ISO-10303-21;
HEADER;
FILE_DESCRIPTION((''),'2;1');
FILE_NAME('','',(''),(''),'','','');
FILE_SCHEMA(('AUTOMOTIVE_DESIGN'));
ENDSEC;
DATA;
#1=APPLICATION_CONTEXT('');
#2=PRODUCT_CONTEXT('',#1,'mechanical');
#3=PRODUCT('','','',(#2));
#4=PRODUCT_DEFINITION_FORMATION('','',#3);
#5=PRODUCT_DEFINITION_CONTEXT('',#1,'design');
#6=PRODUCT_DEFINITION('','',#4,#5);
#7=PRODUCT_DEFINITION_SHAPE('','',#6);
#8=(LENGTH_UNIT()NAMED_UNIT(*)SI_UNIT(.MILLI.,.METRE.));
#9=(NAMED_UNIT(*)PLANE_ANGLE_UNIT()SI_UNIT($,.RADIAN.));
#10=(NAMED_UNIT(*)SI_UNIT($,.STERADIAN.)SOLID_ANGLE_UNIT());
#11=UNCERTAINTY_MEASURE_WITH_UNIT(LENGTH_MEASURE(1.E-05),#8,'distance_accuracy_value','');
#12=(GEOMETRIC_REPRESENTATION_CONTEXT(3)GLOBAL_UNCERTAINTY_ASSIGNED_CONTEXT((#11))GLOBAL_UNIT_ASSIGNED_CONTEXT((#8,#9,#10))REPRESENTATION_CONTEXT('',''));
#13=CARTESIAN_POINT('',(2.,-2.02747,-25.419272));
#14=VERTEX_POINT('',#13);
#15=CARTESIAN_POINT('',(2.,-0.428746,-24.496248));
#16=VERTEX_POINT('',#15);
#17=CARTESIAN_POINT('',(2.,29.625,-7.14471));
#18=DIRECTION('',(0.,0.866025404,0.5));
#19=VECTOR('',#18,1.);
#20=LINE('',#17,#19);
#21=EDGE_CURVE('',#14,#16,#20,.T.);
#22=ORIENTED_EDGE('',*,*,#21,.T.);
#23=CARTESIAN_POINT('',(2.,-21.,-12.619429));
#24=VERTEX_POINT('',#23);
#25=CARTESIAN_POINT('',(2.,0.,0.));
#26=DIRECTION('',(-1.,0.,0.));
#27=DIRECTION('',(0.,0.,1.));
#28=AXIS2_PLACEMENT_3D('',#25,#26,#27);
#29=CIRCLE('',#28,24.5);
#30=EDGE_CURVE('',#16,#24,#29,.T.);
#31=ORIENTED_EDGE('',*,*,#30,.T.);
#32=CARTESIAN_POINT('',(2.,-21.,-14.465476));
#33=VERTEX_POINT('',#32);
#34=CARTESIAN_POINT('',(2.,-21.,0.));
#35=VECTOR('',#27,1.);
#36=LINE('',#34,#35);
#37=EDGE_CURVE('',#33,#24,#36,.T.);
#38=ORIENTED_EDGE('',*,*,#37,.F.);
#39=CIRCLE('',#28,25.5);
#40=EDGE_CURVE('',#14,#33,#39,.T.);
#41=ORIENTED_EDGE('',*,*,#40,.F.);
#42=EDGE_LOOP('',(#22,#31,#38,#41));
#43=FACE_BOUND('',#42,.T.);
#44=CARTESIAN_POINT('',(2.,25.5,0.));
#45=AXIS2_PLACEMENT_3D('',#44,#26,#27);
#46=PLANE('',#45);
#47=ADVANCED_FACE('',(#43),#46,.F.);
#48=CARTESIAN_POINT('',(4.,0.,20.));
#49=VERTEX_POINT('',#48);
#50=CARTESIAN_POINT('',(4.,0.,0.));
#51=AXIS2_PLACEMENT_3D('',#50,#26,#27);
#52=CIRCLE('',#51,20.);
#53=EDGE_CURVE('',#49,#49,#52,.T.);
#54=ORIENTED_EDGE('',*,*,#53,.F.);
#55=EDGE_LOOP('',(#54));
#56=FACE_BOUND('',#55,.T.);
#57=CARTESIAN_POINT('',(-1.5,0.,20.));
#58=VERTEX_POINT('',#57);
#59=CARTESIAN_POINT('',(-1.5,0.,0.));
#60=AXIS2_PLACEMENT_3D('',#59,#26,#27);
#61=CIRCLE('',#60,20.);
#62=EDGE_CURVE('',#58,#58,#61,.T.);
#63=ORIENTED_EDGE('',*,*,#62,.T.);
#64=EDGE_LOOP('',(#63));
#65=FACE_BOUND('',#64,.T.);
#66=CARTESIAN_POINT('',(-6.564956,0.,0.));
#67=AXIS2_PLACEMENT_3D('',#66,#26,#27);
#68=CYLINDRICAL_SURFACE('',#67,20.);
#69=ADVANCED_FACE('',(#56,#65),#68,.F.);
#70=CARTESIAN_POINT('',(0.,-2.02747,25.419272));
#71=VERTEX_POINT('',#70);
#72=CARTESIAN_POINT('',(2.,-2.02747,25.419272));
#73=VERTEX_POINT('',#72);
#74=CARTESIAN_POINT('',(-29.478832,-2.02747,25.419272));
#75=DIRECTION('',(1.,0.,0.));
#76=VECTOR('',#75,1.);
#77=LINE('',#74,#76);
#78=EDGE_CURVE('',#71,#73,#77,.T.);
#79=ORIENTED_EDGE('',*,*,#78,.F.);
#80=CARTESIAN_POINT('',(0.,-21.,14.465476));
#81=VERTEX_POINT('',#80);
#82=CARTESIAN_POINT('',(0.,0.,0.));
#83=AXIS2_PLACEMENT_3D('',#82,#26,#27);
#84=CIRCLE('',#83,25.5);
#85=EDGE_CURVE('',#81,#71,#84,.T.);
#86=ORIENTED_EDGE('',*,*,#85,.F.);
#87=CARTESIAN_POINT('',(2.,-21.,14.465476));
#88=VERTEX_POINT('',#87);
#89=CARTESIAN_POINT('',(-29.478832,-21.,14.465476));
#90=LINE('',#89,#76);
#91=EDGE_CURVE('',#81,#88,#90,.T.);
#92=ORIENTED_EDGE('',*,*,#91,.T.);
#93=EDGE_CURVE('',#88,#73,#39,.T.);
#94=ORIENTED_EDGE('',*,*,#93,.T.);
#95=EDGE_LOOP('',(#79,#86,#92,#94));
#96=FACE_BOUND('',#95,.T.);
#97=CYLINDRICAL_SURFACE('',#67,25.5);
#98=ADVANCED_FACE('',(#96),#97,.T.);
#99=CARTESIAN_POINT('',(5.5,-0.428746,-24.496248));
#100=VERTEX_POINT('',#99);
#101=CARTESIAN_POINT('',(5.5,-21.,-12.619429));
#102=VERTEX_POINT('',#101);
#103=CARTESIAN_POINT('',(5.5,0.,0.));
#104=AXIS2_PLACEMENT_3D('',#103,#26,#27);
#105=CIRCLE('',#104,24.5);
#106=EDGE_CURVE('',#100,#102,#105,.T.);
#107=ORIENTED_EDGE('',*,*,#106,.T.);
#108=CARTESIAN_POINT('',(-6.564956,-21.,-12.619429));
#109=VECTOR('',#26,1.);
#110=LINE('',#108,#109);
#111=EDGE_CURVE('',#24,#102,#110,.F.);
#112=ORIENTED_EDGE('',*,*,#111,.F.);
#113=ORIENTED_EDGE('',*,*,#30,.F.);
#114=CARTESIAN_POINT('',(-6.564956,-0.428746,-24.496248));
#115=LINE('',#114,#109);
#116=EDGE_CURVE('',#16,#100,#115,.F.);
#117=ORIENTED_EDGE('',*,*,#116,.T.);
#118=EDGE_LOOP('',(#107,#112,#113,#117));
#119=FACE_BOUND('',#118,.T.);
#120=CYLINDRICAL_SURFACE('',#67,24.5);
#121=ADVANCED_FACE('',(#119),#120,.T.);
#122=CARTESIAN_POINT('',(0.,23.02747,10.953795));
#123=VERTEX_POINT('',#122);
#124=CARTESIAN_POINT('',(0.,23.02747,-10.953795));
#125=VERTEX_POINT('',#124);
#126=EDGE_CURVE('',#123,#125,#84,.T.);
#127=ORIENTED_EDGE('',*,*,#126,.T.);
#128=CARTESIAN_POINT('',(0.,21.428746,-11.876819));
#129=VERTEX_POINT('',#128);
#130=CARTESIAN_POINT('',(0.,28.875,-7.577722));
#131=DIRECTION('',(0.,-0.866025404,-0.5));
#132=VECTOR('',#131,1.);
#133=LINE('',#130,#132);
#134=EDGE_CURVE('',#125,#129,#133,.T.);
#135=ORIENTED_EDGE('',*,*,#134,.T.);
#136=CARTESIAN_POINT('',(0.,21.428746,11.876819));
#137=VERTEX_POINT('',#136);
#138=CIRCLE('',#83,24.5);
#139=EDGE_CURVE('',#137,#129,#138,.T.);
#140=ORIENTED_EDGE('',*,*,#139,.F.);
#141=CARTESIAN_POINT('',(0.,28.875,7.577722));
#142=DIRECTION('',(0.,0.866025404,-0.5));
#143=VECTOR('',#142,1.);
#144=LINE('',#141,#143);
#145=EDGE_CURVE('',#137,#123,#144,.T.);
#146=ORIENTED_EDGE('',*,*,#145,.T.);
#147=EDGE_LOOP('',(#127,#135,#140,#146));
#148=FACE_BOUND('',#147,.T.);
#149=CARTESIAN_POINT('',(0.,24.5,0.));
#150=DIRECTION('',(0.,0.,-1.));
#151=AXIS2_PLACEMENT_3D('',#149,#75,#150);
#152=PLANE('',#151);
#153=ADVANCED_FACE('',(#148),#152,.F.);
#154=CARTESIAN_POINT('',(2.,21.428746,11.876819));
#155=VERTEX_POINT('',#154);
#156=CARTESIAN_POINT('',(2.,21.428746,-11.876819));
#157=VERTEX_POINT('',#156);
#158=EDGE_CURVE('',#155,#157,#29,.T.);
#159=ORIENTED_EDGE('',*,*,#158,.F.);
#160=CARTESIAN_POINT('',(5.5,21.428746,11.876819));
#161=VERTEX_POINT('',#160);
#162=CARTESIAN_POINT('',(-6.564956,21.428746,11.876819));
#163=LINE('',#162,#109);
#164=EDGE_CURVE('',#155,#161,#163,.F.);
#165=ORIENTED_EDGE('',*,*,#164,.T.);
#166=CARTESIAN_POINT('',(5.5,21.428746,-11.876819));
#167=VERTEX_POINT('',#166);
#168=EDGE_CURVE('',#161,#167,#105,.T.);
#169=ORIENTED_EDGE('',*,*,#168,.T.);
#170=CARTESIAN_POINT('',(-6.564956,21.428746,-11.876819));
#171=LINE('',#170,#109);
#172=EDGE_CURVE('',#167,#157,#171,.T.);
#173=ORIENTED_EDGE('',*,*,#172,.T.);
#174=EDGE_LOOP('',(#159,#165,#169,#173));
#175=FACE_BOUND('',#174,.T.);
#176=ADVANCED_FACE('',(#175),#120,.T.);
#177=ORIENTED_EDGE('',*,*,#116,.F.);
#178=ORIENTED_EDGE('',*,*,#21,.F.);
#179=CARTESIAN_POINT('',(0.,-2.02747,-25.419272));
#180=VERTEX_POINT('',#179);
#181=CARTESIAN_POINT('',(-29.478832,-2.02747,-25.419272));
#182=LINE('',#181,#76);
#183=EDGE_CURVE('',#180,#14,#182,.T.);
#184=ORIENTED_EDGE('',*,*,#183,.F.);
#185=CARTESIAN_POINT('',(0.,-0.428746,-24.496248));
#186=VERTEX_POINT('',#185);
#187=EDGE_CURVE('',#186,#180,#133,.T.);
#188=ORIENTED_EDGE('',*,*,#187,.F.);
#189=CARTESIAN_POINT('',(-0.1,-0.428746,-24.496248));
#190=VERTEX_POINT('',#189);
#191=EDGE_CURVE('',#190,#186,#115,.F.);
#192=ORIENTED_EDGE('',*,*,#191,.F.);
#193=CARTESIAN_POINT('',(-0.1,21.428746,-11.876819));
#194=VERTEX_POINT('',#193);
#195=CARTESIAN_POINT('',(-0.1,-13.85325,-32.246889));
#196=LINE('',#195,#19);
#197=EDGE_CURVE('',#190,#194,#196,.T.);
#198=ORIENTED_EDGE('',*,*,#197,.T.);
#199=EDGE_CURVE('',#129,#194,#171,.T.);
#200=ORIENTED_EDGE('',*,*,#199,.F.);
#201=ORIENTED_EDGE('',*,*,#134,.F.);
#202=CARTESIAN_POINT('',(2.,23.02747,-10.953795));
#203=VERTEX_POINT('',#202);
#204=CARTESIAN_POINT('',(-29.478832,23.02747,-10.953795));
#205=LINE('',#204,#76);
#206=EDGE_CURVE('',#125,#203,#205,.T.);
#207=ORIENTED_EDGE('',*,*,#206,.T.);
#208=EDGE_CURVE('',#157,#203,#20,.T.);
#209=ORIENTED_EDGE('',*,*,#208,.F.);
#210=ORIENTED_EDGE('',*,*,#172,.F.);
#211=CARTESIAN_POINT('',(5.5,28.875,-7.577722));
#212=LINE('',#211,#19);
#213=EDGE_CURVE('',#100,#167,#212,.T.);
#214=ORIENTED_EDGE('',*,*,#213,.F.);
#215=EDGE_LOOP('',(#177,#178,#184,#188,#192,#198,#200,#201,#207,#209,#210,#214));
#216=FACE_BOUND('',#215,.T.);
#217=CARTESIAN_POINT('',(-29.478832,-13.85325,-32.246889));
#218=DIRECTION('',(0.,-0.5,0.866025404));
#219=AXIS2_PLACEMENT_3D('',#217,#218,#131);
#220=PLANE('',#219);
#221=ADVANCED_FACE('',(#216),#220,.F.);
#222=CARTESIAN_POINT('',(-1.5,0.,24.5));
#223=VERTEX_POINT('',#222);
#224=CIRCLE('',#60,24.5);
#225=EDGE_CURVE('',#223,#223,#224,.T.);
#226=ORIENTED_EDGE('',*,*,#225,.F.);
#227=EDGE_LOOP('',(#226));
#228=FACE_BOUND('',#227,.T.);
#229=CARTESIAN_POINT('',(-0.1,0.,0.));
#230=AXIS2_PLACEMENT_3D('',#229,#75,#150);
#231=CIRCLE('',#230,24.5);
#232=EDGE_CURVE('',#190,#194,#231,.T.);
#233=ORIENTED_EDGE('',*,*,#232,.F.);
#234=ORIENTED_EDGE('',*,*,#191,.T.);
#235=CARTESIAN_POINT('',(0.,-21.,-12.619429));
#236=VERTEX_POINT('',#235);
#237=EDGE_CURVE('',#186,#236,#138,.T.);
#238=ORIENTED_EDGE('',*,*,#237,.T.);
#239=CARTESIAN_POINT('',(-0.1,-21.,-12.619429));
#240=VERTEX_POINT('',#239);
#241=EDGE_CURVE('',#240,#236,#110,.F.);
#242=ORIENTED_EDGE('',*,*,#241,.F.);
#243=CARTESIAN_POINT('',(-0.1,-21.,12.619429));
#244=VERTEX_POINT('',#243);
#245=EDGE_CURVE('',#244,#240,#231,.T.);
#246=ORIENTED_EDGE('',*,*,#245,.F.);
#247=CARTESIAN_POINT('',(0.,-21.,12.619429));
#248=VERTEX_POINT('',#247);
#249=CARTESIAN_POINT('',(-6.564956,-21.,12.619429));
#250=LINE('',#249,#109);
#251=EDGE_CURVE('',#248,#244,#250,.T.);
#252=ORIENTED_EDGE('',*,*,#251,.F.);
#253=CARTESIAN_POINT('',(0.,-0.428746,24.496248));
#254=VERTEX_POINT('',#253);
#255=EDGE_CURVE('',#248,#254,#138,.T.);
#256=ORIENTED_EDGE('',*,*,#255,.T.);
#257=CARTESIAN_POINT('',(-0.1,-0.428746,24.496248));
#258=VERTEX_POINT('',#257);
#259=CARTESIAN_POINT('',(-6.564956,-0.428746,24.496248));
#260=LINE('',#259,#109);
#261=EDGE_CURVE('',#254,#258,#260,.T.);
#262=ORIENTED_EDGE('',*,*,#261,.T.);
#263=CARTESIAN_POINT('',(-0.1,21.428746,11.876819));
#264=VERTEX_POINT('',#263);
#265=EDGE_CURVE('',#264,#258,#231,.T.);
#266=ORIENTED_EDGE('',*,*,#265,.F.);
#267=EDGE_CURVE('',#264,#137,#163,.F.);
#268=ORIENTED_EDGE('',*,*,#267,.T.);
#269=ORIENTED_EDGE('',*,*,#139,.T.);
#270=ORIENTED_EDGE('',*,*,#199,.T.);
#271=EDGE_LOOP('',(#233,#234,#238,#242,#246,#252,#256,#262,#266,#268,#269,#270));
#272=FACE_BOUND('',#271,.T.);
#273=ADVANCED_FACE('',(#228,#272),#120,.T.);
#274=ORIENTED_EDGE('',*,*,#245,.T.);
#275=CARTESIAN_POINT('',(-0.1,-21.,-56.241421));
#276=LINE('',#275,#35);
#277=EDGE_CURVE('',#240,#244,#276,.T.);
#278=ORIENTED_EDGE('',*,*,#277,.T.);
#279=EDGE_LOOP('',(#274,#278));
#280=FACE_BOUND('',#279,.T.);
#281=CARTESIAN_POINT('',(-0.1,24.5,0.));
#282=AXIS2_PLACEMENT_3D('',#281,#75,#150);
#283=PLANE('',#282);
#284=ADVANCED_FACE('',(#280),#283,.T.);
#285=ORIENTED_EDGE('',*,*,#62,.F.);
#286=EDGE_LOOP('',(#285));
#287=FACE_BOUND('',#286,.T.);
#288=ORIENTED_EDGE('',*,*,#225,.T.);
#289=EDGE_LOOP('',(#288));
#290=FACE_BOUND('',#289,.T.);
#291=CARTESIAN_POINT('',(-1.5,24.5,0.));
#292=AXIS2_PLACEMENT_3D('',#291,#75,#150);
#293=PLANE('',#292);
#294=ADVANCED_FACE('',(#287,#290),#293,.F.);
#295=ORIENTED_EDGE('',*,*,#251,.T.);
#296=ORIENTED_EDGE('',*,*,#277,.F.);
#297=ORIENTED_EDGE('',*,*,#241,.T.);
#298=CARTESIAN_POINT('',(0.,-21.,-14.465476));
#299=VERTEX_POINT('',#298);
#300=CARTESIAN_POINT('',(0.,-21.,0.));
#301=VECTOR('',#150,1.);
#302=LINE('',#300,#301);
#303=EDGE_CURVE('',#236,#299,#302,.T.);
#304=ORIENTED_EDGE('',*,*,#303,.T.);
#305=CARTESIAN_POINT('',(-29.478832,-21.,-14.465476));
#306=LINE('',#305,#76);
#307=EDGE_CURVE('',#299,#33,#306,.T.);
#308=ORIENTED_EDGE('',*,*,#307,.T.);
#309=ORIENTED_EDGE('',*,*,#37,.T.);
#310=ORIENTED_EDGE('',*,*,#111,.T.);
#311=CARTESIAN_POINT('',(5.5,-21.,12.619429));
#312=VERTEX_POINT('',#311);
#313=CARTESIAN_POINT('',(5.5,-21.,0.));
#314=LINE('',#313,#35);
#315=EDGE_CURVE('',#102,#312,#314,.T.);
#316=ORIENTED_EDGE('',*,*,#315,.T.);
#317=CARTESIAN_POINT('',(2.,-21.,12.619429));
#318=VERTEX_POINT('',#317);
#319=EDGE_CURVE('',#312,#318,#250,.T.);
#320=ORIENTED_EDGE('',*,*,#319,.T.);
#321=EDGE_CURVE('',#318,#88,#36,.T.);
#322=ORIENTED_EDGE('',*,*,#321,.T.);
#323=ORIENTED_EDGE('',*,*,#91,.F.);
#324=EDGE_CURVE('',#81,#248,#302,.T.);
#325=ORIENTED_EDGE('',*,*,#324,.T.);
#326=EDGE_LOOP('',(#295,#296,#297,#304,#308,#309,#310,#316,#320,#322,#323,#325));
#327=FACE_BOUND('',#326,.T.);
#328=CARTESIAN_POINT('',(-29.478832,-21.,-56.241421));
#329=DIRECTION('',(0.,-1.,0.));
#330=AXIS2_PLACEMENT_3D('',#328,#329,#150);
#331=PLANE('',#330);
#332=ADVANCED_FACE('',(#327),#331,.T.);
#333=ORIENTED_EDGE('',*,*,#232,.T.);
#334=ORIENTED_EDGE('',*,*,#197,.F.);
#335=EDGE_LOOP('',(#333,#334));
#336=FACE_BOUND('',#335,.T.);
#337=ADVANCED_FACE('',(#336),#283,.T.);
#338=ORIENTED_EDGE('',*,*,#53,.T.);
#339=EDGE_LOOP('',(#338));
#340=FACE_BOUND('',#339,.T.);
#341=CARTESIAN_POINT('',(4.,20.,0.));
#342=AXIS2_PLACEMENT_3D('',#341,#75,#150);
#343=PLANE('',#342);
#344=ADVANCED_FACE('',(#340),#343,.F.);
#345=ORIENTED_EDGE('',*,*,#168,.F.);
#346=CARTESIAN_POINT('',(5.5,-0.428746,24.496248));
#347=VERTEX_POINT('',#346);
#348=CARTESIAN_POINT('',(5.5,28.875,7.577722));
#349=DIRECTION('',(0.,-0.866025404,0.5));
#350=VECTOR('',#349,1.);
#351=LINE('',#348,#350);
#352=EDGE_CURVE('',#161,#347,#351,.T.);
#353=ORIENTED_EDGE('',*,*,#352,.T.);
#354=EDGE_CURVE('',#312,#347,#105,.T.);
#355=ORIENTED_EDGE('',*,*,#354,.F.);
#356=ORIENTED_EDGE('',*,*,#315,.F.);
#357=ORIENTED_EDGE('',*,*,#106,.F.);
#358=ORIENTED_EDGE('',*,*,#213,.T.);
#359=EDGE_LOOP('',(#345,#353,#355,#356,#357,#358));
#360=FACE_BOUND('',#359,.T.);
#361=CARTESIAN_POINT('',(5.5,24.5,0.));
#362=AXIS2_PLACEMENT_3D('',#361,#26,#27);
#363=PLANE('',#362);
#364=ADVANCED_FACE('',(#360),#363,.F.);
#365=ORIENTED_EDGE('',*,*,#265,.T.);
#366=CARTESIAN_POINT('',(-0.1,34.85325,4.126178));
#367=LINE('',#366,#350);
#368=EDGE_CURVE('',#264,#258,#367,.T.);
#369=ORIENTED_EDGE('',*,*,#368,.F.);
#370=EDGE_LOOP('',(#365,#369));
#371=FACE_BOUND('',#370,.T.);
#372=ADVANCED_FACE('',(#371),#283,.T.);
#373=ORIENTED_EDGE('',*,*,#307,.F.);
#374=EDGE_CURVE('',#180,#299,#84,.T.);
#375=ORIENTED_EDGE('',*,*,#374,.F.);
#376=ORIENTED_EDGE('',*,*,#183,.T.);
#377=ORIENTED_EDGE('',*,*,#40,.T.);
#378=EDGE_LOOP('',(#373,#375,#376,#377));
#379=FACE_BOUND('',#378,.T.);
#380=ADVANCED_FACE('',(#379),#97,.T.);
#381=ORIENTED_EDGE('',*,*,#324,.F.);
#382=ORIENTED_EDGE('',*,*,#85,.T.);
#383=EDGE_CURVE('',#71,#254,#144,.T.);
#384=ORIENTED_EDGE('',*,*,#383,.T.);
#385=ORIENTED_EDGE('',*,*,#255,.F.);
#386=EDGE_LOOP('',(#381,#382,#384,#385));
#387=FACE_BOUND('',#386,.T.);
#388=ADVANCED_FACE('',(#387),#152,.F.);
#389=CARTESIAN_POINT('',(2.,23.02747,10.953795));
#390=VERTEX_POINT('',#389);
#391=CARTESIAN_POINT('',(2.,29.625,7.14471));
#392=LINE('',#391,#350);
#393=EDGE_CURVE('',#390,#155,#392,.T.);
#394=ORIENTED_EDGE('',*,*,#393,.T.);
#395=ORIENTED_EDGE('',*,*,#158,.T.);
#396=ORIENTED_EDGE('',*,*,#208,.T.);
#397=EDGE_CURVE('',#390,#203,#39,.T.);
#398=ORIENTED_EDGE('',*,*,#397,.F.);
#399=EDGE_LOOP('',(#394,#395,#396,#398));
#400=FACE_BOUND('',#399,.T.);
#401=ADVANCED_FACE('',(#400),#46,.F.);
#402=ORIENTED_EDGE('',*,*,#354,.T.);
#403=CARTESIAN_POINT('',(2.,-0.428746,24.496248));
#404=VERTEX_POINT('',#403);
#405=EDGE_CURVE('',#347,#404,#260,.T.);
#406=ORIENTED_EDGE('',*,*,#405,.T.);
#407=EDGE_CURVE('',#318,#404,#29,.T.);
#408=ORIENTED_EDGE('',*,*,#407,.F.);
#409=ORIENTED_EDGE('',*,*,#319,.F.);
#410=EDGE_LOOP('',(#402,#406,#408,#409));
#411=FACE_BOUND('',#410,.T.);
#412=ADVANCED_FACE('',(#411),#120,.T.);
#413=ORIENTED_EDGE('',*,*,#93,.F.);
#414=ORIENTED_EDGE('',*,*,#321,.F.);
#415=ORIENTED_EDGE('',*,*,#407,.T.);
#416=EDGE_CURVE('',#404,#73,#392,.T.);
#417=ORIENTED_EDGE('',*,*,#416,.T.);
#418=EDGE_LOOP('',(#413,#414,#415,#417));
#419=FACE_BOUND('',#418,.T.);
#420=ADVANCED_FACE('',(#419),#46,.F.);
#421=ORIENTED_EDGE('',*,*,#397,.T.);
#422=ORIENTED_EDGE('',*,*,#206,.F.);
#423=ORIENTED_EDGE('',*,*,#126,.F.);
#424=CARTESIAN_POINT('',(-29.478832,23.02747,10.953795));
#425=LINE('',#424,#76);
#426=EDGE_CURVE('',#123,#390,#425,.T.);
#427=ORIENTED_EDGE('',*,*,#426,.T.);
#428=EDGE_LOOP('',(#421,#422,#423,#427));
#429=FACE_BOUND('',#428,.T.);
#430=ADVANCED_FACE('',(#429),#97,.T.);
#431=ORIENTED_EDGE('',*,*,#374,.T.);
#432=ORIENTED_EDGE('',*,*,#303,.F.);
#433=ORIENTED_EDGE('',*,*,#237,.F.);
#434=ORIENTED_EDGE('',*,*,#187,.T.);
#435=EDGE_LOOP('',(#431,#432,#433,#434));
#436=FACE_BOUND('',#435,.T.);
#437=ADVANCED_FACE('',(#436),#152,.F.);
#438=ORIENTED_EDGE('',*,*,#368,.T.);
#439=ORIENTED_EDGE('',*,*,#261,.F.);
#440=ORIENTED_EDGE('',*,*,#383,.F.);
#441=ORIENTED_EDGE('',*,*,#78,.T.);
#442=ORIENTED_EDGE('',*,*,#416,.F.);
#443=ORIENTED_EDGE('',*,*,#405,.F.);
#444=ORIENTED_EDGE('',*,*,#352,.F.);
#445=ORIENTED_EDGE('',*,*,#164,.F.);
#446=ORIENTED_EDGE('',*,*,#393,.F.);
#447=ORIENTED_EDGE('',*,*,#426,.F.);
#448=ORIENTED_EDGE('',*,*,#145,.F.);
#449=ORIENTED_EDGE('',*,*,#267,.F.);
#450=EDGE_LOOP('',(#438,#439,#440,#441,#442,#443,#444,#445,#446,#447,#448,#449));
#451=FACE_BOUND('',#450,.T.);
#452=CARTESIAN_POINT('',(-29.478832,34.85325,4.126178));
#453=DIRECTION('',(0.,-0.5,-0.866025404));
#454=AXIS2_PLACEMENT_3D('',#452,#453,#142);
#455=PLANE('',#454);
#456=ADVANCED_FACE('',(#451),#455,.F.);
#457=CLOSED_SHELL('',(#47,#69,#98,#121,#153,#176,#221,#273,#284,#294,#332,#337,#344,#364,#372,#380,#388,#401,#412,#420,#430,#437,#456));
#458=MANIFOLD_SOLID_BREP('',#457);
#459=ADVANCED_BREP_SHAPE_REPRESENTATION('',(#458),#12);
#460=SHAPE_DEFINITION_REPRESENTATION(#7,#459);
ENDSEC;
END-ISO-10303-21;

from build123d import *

# Parameters (mm, degrees)
CUT_EXTRUDE_1_DEPTH      = 4.5
CUT_EXTRUDE_1_DEPTH_BACK = 2.1


with BuildPart() as part:
    # Эскиз1 → Повернуть1 (revolve)
    with BuildSketch(Plane.XY):
        Polygon((-1.5, 24.5), (-1.5, 20), (4, 20), (4, 0), (5.5, 0), (5.5, 24.5), (2, 24.5), (2, 25.5), (0, 25.5), (0, 24.5), align=None)
    revolve(axis=Axis((-6.564956253, 0, 0), (1, 0, 0)))

    # Эскиз2 → Вырез-Вытянуть1 (cut, two sides)
    with BuildSketch(Plane(origin=(2, 0, 0), x_dir=(0, 0, -1), z_dir=(1, 0, 0))) as cut_extrude_1_sk:
        with BuildLine():
            ThreePointArc((-10.953795409, 23.027469816), (-22.083647797, 12.75), (-25.41927155, -2.027469816))
            Line((-25.41927155, -2.027469816), (-24.496248212, -0.428746497))
            ThreePointArc((-24.496248212, -0.428746497), (-21.217622393, 12.25), (-11.876818747, 21.428746497))
            Line((-11.876818747, 21.428746497), (-10.953795409, 23.027469816))
        make_face()
        with BuildLine():
            ThreePointArc((-11.876818747, 21.428746497), (-21.217622393, 12.25), (-24.496248212, -0.428746497))
            Line((-24.496248212, -0.428746497), (-11.876818747, 21.428746497))
        make_face()
        with BuildLine():
            Line((12.619429464, -21), (-12.619429464, -21))
            ThreePointArc((-12.619429464, -21), (0, -24.5), (12.619429464, -21))
        make_face()
        with BuildLine():
            Line((-12.619429464, -21), (-14.465476141, -21))
            ThreePointArc((-14.465476141, -21), (0, -25.5), (14.465476141, -21))
            Line((14.465476141, -21), (12.619429464, -21))
            ThreePointArc((12.619429464, -21), (0, -24.5), (-12.619429464, -21))
        make_face()
        with BuildLine():
            ThreePointArc((24.5, 0), (21.109619363, 12.435190804), (11.876818747, 21.428746497))
            Line((11.876818747, 21.428746497), (24.496248212, -0.428746497))
            ThreePointArc((24.496248212, -0.428746497), (24.499062035, -0.214381456), (24.5, 0))
        make_face()
        with BuildLine():
            ThreePointArc((25.5, 0), (21.558893558, 13.618520791), (10.953795409, 23.027469816))
            Line((10.953795409, 23.027469816), (11.876818747, 21.428746497))
            ThreePointArc((11.876818747, 21.428746497), (21.109619363, 12.435190804), (24.5, 0))
            ThreePointArc((24.5, 0), (24.499062035, -0.214381456), (24.496248212, -0.428746497))
            Line((24.496248212, -0.428746497), (25.41927155, -2.027469816))
            ThreePointArc((25.41927155, -2.027469816), (25.479809895, -1.014538188), (25.5, 0))
        make_face()
    extrude(amount=CUT_EXTRUDE_1_DEPTH, mode=Mode.SUBTRACT)
    extrude(cut_extrude_1_sk.sketch, amount=-CUT_EXTRUDE_1_DEPTH_BACK, mode=Mode.SUBTRACT)


solid = part.part
